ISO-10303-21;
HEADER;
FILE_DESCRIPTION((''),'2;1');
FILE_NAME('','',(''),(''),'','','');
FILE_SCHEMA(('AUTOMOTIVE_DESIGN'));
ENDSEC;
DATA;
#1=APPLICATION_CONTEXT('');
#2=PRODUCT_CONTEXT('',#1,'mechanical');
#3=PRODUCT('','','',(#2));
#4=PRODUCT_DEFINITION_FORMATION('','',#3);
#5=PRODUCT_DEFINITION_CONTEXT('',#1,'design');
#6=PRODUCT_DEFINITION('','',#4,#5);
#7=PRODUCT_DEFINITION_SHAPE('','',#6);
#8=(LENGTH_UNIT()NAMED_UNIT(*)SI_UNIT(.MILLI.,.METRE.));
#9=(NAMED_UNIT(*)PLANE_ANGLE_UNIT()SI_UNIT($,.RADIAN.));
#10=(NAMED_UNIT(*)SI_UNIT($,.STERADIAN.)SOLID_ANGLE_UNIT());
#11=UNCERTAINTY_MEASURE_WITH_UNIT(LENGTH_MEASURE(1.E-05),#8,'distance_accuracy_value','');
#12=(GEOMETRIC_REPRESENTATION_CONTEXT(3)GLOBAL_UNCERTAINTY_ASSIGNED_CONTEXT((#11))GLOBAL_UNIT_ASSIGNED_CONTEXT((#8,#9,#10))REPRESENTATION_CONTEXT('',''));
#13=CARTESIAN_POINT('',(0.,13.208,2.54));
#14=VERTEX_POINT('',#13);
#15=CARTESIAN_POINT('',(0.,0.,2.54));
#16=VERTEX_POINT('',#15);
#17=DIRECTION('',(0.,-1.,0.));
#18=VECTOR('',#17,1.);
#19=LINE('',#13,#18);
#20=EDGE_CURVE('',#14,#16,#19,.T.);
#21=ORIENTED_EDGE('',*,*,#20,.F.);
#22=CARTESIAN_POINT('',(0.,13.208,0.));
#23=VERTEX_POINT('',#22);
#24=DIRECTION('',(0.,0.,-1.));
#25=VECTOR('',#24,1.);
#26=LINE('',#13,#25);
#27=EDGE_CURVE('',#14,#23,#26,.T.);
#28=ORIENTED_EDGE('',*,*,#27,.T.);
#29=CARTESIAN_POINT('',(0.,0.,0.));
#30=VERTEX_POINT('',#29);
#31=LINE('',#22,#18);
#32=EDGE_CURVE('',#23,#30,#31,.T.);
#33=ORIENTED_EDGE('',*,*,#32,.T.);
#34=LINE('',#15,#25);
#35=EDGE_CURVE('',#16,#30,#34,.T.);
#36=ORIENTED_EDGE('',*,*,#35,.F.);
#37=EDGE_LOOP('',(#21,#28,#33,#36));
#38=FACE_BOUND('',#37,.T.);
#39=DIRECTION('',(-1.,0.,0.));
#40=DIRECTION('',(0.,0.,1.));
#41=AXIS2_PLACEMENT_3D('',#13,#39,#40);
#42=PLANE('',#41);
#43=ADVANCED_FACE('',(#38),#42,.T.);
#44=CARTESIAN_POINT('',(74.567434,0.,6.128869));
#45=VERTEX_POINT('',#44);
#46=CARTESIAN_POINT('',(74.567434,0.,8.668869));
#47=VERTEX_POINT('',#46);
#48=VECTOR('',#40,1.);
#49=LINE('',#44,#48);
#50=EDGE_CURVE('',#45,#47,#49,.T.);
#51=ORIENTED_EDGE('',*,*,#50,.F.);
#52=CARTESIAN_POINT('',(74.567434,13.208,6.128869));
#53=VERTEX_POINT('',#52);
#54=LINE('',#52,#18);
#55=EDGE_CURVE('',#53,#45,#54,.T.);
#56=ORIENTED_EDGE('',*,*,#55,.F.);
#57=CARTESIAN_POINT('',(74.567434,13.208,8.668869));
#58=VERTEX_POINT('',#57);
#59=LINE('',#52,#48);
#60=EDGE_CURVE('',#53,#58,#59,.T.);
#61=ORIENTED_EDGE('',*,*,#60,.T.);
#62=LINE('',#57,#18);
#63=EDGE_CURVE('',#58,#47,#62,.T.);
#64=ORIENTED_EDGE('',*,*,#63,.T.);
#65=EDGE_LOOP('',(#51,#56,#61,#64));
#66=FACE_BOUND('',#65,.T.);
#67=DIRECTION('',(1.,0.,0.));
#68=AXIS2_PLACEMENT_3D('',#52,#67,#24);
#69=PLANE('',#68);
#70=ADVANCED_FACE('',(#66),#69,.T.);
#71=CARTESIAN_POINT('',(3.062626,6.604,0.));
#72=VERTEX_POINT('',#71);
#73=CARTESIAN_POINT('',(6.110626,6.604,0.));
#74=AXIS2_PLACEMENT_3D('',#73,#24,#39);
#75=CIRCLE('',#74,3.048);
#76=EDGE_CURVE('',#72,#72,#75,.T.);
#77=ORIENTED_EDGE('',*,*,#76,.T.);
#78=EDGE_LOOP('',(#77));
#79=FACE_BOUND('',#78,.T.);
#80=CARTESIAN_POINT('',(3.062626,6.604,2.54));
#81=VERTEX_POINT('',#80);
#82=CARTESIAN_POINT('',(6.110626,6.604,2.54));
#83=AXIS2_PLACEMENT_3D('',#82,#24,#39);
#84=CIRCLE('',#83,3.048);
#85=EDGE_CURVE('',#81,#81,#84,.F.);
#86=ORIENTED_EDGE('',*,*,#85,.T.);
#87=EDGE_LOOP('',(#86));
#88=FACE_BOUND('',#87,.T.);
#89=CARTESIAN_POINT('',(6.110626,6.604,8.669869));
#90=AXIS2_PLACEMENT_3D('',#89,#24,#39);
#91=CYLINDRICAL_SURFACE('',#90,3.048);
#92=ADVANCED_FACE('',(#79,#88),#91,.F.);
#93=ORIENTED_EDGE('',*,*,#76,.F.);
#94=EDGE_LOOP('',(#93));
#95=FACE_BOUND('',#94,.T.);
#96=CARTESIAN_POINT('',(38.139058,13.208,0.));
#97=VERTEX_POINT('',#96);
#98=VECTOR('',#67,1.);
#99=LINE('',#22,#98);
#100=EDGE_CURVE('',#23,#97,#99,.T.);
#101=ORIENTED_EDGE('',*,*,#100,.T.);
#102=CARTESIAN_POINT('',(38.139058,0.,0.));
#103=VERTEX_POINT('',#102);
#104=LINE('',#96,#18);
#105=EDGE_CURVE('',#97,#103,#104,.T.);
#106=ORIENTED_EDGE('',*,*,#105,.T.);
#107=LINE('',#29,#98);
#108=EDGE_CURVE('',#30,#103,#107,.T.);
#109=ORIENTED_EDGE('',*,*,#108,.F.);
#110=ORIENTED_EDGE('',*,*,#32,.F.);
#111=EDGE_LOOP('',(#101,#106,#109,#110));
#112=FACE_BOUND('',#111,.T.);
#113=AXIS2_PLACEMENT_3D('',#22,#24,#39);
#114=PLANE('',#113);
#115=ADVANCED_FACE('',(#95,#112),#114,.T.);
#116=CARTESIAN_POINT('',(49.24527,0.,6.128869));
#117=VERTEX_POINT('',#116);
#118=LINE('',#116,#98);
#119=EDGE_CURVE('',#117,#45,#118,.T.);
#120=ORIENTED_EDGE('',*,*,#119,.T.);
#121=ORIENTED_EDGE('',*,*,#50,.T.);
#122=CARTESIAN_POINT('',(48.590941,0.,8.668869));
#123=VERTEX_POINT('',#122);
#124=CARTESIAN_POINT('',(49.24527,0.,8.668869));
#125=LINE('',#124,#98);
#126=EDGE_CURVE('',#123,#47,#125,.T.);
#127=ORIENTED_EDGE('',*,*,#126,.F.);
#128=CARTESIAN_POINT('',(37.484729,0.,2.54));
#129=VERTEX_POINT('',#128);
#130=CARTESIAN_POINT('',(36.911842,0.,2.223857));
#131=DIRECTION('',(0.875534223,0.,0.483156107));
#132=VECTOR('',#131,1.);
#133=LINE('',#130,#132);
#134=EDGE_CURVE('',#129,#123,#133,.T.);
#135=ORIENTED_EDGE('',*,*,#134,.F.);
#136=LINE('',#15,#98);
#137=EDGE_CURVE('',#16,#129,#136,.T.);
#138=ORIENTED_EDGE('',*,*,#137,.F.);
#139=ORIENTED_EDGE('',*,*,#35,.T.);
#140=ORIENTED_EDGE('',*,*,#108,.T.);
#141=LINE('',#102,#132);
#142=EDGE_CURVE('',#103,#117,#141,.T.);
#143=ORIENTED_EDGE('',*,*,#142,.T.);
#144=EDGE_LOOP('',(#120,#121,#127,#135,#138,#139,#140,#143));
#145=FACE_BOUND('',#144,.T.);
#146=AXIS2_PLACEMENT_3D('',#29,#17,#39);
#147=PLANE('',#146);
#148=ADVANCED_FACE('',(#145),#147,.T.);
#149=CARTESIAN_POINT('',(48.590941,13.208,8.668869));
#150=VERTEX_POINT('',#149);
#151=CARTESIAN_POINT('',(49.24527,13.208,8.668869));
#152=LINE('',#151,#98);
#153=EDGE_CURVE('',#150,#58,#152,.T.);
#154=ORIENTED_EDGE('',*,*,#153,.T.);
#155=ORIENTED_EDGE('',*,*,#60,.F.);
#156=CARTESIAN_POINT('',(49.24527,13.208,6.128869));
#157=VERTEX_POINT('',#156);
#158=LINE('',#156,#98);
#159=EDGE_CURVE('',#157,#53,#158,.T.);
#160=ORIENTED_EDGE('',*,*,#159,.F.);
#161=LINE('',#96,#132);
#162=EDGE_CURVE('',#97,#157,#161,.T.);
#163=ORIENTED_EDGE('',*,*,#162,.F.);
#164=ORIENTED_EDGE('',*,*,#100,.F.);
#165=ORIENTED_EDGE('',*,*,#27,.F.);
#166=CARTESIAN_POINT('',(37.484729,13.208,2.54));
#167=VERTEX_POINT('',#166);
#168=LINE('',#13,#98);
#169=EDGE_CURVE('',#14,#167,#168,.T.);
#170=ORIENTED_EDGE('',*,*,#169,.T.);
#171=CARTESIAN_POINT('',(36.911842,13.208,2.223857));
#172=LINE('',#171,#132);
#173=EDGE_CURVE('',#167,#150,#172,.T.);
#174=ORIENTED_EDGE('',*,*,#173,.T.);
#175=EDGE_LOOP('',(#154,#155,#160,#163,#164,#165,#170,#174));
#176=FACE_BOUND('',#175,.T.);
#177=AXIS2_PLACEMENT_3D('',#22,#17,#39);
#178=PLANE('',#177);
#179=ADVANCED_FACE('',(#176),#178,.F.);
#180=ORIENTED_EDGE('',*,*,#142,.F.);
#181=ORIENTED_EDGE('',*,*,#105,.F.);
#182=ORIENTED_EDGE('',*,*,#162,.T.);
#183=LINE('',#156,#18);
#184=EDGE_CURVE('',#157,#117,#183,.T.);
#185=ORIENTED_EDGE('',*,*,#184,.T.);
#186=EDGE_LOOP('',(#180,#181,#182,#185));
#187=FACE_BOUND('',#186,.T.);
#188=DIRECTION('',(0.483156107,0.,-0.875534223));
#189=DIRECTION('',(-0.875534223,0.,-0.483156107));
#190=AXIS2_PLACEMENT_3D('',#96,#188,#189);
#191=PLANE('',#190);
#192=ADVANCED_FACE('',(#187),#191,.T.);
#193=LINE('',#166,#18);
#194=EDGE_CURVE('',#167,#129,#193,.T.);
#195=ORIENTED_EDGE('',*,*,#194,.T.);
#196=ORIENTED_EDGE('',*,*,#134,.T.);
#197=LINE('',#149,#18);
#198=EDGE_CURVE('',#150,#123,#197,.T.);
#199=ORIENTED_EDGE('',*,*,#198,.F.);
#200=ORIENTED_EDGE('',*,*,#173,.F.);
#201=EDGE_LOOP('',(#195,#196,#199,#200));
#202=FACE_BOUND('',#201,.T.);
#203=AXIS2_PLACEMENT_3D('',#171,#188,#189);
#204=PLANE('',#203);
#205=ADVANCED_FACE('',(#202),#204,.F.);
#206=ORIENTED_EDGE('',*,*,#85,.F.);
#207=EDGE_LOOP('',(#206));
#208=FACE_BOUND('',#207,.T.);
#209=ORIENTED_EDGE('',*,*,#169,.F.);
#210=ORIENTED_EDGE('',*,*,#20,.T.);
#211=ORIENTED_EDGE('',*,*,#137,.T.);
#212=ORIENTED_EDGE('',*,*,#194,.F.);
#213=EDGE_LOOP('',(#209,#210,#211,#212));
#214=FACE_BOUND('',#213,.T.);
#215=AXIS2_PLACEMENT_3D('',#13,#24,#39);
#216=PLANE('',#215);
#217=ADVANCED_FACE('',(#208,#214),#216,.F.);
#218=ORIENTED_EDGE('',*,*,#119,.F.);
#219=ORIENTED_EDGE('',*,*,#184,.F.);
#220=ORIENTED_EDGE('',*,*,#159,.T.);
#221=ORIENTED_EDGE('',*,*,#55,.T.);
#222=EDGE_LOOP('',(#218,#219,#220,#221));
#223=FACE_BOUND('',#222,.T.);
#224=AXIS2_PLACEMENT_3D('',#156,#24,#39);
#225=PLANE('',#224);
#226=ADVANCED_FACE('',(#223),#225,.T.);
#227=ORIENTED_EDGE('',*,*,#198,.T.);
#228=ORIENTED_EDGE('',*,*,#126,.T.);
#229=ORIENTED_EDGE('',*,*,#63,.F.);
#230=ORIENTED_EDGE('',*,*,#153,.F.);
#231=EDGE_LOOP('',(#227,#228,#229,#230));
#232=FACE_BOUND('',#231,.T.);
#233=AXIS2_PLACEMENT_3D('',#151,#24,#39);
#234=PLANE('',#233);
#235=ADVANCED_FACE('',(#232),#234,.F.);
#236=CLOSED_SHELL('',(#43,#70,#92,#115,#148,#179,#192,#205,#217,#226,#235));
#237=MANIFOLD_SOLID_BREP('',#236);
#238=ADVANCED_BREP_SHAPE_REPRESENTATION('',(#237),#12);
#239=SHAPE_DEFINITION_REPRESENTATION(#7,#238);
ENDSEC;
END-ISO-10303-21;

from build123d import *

# Parameters (mm, degrees)
EXTRUDE_THIN1_DEPTH = 13.208
CUT_EXTRUDE1_REACH  = 10.669
SKETCH3_R           = 3.048


with BuildPart() as part:
    # Sketch1 → Extrude-Thin1 (new body)
    with BuildSketch(Plane(origin=(0, 0, 0), x_dir=(1, 0, 0), z_dir=(0, 1, 0))):
        Polygon((0, 0), (38.139058105, 0), (49.245270394, -6.128868698), (74.567434413, -6.128868698), (74.567434413, -8.668868698), (48.590941352, -8.668868698), (37.484729063, -2.54), (0, -2.54), align=None)
    extrude(amount=EXTRUDE_THIN1_DEPTH)

    # Sketch3 → Cut-Extrude1 (cut, up to next)
    with BuildSketch(Plane(origin=(0, 0, 0), x_dir=(-1, 0, 0), z_dir=(0, 0, -1)), mode=Mode.PRIVATE) as cut_extrude1_sk1:
        with Locations((-6.110625798, 6.604)):
            Circle(SKETCH3_R)
    cut_extrude1_tool1 = extrude(cut_extrude1_sk1.sketch, amount=-CUT_EXTRUDE1_REACH, mode=Mode.PRIVATE) & part.part
    add(cut_extrude1_tool1.solids().sort_by_distance((6.110626, 6.604, 0))[0], mode=Mode.SUBTRACT)


solid = part.part
